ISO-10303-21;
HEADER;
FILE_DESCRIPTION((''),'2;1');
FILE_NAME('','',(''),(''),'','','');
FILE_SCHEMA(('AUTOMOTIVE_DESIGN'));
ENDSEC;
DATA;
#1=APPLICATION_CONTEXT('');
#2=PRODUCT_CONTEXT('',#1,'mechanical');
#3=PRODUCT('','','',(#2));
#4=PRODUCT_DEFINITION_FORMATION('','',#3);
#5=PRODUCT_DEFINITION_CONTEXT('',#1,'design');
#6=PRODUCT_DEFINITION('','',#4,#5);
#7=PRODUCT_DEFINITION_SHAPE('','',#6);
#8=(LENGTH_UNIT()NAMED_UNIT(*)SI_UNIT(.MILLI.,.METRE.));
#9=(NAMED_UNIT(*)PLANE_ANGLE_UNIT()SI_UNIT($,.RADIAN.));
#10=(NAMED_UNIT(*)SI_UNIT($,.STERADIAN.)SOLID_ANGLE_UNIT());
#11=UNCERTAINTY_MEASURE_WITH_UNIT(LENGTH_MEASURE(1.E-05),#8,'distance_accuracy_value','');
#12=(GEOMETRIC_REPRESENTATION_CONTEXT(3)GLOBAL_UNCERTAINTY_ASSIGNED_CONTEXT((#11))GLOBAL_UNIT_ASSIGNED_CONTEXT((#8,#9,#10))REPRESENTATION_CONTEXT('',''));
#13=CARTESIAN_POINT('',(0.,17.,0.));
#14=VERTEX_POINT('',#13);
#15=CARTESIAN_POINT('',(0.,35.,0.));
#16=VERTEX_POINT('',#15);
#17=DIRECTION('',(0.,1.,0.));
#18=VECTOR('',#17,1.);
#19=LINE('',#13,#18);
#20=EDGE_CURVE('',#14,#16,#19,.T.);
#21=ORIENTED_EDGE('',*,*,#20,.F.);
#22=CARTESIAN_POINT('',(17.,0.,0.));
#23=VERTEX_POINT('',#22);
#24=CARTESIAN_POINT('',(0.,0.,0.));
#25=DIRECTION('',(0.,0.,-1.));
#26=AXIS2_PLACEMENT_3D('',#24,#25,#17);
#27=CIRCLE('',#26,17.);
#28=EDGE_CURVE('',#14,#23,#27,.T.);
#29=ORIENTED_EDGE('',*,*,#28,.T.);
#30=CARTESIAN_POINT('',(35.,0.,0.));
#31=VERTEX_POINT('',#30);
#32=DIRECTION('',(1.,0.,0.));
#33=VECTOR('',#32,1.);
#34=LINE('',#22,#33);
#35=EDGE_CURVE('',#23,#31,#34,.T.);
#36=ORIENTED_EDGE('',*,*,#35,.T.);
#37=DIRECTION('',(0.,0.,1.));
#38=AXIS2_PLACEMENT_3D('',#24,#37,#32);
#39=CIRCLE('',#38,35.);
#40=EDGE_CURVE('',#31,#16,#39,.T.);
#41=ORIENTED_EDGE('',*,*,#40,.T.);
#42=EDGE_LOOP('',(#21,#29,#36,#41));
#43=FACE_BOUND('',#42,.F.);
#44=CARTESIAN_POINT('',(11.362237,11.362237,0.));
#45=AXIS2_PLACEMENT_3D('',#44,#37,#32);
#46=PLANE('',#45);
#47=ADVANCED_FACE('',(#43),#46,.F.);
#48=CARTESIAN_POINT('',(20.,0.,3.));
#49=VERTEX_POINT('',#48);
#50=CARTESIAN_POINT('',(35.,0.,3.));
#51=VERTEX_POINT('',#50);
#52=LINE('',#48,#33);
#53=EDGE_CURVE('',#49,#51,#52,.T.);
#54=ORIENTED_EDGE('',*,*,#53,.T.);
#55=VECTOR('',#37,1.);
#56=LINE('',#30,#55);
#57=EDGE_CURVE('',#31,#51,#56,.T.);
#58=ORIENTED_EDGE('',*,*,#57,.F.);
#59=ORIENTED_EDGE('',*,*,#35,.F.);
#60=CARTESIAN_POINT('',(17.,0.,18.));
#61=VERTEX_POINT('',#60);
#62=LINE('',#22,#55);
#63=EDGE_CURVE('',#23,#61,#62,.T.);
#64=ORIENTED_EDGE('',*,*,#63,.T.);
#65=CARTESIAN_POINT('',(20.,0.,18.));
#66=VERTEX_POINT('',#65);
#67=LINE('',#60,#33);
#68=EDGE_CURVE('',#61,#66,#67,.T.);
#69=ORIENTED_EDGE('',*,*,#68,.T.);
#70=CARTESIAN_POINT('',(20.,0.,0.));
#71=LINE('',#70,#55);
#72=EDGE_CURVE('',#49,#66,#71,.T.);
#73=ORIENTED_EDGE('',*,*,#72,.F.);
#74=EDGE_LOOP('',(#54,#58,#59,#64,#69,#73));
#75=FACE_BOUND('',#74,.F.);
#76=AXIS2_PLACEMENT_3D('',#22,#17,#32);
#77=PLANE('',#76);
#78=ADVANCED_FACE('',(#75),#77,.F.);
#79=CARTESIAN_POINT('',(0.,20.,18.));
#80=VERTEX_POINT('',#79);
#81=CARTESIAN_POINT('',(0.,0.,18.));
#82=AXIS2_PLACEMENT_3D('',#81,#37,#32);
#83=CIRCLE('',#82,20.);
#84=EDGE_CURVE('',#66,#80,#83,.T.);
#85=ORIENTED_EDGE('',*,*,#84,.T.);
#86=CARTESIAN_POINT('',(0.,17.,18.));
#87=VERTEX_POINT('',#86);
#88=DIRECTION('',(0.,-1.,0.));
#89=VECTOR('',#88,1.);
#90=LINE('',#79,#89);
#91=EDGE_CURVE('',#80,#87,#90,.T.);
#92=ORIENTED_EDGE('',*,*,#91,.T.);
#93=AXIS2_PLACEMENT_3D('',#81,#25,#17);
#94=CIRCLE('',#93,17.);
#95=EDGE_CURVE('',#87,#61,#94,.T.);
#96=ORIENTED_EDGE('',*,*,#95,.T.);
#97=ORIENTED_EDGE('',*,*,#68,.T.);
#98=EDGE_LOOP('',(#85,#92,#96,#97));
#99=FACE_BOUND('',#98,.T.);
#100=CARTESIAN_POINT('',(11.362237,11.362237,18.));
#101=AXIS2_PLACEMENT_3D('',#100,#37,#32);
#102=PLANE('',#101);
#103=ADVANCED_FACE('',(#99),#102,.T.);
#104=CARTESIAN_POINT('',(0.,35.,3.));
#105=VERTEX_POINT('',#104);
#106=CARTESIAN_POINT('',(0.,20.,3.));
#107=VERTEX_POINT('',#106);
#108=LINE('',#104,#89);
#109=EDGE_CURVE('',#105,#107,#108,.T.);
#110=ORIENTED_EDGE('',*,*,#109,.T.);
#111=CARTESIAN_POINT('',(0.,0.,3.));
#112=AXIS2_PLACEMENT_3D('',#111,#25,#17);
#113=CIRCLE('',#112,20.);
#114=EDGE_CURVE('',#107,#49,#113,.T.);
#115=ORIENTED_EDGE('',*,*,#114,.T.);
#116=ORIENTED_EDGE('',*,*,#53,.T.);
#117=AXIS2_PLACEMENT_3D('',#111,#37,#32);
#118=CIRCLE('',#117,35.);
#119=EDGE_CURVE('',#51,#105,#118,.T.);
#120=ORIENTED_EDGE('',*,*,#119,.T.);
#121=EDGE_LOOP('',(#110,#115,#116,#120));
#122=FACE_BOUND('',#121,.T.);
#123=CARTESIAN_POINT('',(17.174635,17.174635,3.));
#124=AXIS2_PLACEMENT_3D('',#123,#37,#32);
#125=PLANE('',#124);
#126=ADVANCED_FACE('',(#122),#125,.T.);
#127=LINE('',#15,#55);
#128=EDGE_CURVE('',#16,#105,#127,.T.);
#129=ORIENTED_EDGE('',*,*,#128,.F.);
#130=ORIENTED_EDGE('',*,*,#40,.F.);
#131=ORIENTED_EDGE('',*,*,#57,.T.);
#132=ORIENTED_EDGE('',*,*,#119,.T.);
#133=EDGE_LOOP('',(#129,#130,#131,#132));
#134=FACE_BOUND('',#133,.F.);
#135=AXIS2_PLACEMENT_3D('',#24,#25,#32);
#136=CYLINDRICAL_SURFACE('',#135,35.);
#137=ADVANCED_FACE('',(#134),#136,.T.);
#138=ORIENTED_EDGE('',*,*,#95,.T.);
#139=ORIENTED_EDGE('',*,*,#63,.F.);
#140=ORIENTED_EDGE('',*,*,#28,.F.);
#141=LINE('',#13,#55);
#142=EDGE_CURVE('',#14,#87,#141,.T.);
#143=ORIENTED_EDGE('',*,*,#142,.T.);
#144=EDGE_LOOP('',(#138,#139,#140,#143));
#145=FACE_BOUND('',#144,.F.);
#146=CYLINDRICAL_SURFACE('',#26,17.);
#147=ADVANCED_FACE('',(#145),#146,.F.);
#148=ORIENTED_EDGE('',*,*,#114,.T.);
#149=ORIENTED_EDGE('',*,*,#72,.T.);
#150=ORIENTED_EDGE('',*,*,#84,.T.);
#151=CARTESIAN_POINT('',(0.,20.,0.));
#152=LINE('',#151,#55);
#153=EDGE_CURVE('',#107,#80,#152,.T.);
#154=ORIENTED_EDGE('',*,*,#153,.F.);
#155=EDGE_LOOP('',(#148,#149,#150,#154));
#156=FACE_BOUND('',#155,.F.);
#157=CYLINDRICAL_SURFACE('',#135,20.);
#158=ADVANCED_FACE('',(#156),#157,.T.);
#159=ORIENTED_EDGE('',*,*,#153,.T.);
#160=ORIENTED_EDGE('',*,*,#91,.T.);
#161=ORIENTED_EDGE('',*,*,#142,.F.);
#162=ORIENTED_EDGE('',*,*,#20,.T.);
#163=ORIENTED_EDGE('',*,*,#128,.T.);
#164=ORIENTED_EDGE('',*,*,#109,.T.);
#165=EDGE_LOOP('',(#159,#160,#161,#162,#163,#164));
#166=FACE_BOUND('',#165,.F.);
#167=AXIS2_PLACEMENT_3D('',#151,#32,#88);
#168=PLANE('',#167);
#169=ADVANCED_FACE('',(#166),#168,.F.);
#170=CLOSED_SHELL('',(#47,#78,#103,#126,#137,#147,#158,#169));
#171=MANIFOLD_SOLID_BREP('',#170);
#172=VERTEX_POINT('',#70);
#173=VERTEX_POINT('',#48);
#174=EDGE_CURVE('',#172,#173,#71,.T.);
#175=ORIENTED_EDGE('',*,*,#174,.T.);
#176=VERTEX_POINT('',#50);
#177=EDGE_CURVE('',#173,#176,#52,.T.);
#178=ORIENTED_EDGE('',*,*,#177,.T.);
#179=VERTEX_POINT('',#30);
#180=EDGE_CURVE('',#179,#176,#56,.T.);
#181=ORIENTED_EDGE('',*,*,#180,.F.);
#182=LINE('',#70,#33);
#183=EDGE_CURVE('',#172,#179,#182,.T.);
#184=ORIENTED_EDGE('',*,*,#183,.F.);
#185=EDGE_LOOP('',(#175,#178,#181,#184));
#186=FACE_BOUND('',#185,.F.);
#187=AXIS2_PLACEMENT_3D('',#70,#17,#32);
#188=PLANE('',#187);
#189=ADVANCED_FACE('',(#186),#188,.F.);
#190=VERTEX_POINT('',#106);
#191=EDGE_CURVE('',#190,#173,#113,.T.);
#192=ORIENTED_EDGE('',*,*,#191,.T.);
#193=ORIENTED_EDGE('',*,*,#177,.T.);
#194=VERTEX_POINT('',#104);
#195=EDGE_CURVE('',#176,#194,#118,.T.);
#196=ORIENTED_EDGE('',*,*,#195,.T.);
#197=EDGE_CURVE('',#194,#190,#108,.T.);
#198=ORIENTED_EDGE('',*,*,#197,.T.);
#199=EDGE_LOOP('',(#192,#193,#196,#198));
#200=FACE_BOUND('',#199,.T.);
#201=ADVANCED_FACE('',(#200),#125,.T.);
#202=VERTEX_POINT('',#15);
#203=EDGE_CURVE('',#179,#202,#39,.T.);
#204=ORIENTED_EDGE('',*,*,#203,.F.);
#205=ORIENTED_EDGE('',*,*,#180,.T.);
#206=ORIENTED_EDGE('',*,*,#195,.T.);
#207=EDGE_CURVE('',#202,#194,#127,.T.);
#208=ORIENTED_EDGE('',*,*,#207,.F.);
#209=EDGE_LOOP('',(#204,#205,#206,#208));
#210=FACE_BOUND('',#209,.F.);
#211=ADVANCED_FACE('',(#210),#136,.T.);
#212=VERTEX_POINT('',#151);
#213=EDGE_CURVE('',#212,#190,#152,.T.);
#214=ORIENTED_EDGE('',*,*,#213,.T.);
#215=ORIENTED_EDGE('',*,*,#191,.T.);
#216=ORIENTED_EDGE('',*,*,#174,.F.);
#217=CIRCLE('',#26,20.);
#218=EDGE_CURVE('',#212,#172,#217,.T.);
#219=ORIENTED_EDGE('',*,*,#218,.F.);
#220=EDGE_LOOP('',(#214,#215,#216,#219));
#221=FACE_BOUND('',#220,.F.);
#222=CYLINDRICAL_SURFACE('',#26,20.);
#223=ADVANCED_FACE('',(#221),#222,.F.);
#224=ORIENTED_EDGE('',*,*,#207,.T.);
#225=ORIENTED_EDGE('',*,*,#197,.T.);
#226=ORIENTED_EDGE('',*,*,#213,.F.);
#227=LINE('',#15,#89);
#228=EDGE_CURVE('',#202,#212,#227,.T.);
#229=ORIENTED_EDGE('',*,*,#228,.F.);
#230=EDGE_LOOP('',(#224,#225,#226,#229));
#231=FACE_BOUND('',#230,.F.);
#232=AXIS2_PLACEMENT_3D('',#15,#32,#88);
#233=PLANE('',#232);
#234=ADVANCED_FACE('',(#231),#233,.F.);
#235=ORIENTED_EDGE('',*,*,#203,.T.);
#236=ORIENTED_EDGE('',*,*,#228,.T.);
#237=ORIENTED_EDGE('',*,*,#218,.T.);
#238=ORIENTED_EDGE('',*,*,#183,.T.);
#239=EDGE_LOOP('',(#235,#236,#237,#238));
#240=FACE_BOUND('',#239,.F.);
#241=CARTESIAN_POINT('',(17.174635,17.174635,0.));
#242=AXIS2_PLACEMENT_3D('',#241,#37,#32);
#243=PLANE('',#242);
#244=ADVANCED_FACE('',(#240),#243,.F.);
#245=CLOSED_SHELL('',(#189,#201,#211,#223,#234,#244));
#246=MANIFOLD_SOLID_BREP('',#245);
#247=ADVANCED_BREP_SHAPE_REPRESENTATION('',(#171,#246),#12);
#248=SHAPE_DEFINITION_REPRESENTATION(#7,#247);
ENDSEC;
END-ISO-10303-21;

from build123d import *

# Parameters (mm, degrees)
F2_DEPTH = 3
F3_DEPTH = 18
F4_DEPTH = 3


with BuildPart() as f2:
    # F0 (on Top) → F2 (new body)
    with BuildSketch(Plane.XY):
        with BuildLine():
            Line((20, 0), (35, 0))
            ThreePointArc((35, 0), (24.7487373415, 24.7487373415), (0, 35))
            Line((0, 35), (0, 20))
            ThreePointArc((0, 20), (14.1421356237, 14.1421356237), (20, 0))
        make_face()
    extrude(amount=F2_DEPTH)

    # F0 (on Top) → F3 (join)
    with BuildSketch(Plane.XY):
        with BuildLine():
            Line((17, 0), (20, 0))
            ThreePointArc((20, 0), (14.1421356237, 14.1421356237), (0, 20))
            Line((0, 20), (0, 17))
            ThreePointArc((0, 17), (12.0208152802, 12.0208152802), (17, 0))
        make_face()
    extrude(amount=F3_DEPTH)


with BuildPart() as f4:
    # F1 (on Top) → F4 (new body)
    with BuildSketch(Plane.XY):
        with BuildLine():
            Line((20, 0), (35, 0))
            ThreePointArc((35, 0), (24.7487373415, 24.7487373415), (0, 35))
            Line((0, 35), (0, 20))
            ThreePointArc((0, 20), (14.1421356237, 14.1421356237), (20, 0))
        make_face()
    extrude(amount=F4_DEPTH)


solid = Compound([f2.part, f4.part])
